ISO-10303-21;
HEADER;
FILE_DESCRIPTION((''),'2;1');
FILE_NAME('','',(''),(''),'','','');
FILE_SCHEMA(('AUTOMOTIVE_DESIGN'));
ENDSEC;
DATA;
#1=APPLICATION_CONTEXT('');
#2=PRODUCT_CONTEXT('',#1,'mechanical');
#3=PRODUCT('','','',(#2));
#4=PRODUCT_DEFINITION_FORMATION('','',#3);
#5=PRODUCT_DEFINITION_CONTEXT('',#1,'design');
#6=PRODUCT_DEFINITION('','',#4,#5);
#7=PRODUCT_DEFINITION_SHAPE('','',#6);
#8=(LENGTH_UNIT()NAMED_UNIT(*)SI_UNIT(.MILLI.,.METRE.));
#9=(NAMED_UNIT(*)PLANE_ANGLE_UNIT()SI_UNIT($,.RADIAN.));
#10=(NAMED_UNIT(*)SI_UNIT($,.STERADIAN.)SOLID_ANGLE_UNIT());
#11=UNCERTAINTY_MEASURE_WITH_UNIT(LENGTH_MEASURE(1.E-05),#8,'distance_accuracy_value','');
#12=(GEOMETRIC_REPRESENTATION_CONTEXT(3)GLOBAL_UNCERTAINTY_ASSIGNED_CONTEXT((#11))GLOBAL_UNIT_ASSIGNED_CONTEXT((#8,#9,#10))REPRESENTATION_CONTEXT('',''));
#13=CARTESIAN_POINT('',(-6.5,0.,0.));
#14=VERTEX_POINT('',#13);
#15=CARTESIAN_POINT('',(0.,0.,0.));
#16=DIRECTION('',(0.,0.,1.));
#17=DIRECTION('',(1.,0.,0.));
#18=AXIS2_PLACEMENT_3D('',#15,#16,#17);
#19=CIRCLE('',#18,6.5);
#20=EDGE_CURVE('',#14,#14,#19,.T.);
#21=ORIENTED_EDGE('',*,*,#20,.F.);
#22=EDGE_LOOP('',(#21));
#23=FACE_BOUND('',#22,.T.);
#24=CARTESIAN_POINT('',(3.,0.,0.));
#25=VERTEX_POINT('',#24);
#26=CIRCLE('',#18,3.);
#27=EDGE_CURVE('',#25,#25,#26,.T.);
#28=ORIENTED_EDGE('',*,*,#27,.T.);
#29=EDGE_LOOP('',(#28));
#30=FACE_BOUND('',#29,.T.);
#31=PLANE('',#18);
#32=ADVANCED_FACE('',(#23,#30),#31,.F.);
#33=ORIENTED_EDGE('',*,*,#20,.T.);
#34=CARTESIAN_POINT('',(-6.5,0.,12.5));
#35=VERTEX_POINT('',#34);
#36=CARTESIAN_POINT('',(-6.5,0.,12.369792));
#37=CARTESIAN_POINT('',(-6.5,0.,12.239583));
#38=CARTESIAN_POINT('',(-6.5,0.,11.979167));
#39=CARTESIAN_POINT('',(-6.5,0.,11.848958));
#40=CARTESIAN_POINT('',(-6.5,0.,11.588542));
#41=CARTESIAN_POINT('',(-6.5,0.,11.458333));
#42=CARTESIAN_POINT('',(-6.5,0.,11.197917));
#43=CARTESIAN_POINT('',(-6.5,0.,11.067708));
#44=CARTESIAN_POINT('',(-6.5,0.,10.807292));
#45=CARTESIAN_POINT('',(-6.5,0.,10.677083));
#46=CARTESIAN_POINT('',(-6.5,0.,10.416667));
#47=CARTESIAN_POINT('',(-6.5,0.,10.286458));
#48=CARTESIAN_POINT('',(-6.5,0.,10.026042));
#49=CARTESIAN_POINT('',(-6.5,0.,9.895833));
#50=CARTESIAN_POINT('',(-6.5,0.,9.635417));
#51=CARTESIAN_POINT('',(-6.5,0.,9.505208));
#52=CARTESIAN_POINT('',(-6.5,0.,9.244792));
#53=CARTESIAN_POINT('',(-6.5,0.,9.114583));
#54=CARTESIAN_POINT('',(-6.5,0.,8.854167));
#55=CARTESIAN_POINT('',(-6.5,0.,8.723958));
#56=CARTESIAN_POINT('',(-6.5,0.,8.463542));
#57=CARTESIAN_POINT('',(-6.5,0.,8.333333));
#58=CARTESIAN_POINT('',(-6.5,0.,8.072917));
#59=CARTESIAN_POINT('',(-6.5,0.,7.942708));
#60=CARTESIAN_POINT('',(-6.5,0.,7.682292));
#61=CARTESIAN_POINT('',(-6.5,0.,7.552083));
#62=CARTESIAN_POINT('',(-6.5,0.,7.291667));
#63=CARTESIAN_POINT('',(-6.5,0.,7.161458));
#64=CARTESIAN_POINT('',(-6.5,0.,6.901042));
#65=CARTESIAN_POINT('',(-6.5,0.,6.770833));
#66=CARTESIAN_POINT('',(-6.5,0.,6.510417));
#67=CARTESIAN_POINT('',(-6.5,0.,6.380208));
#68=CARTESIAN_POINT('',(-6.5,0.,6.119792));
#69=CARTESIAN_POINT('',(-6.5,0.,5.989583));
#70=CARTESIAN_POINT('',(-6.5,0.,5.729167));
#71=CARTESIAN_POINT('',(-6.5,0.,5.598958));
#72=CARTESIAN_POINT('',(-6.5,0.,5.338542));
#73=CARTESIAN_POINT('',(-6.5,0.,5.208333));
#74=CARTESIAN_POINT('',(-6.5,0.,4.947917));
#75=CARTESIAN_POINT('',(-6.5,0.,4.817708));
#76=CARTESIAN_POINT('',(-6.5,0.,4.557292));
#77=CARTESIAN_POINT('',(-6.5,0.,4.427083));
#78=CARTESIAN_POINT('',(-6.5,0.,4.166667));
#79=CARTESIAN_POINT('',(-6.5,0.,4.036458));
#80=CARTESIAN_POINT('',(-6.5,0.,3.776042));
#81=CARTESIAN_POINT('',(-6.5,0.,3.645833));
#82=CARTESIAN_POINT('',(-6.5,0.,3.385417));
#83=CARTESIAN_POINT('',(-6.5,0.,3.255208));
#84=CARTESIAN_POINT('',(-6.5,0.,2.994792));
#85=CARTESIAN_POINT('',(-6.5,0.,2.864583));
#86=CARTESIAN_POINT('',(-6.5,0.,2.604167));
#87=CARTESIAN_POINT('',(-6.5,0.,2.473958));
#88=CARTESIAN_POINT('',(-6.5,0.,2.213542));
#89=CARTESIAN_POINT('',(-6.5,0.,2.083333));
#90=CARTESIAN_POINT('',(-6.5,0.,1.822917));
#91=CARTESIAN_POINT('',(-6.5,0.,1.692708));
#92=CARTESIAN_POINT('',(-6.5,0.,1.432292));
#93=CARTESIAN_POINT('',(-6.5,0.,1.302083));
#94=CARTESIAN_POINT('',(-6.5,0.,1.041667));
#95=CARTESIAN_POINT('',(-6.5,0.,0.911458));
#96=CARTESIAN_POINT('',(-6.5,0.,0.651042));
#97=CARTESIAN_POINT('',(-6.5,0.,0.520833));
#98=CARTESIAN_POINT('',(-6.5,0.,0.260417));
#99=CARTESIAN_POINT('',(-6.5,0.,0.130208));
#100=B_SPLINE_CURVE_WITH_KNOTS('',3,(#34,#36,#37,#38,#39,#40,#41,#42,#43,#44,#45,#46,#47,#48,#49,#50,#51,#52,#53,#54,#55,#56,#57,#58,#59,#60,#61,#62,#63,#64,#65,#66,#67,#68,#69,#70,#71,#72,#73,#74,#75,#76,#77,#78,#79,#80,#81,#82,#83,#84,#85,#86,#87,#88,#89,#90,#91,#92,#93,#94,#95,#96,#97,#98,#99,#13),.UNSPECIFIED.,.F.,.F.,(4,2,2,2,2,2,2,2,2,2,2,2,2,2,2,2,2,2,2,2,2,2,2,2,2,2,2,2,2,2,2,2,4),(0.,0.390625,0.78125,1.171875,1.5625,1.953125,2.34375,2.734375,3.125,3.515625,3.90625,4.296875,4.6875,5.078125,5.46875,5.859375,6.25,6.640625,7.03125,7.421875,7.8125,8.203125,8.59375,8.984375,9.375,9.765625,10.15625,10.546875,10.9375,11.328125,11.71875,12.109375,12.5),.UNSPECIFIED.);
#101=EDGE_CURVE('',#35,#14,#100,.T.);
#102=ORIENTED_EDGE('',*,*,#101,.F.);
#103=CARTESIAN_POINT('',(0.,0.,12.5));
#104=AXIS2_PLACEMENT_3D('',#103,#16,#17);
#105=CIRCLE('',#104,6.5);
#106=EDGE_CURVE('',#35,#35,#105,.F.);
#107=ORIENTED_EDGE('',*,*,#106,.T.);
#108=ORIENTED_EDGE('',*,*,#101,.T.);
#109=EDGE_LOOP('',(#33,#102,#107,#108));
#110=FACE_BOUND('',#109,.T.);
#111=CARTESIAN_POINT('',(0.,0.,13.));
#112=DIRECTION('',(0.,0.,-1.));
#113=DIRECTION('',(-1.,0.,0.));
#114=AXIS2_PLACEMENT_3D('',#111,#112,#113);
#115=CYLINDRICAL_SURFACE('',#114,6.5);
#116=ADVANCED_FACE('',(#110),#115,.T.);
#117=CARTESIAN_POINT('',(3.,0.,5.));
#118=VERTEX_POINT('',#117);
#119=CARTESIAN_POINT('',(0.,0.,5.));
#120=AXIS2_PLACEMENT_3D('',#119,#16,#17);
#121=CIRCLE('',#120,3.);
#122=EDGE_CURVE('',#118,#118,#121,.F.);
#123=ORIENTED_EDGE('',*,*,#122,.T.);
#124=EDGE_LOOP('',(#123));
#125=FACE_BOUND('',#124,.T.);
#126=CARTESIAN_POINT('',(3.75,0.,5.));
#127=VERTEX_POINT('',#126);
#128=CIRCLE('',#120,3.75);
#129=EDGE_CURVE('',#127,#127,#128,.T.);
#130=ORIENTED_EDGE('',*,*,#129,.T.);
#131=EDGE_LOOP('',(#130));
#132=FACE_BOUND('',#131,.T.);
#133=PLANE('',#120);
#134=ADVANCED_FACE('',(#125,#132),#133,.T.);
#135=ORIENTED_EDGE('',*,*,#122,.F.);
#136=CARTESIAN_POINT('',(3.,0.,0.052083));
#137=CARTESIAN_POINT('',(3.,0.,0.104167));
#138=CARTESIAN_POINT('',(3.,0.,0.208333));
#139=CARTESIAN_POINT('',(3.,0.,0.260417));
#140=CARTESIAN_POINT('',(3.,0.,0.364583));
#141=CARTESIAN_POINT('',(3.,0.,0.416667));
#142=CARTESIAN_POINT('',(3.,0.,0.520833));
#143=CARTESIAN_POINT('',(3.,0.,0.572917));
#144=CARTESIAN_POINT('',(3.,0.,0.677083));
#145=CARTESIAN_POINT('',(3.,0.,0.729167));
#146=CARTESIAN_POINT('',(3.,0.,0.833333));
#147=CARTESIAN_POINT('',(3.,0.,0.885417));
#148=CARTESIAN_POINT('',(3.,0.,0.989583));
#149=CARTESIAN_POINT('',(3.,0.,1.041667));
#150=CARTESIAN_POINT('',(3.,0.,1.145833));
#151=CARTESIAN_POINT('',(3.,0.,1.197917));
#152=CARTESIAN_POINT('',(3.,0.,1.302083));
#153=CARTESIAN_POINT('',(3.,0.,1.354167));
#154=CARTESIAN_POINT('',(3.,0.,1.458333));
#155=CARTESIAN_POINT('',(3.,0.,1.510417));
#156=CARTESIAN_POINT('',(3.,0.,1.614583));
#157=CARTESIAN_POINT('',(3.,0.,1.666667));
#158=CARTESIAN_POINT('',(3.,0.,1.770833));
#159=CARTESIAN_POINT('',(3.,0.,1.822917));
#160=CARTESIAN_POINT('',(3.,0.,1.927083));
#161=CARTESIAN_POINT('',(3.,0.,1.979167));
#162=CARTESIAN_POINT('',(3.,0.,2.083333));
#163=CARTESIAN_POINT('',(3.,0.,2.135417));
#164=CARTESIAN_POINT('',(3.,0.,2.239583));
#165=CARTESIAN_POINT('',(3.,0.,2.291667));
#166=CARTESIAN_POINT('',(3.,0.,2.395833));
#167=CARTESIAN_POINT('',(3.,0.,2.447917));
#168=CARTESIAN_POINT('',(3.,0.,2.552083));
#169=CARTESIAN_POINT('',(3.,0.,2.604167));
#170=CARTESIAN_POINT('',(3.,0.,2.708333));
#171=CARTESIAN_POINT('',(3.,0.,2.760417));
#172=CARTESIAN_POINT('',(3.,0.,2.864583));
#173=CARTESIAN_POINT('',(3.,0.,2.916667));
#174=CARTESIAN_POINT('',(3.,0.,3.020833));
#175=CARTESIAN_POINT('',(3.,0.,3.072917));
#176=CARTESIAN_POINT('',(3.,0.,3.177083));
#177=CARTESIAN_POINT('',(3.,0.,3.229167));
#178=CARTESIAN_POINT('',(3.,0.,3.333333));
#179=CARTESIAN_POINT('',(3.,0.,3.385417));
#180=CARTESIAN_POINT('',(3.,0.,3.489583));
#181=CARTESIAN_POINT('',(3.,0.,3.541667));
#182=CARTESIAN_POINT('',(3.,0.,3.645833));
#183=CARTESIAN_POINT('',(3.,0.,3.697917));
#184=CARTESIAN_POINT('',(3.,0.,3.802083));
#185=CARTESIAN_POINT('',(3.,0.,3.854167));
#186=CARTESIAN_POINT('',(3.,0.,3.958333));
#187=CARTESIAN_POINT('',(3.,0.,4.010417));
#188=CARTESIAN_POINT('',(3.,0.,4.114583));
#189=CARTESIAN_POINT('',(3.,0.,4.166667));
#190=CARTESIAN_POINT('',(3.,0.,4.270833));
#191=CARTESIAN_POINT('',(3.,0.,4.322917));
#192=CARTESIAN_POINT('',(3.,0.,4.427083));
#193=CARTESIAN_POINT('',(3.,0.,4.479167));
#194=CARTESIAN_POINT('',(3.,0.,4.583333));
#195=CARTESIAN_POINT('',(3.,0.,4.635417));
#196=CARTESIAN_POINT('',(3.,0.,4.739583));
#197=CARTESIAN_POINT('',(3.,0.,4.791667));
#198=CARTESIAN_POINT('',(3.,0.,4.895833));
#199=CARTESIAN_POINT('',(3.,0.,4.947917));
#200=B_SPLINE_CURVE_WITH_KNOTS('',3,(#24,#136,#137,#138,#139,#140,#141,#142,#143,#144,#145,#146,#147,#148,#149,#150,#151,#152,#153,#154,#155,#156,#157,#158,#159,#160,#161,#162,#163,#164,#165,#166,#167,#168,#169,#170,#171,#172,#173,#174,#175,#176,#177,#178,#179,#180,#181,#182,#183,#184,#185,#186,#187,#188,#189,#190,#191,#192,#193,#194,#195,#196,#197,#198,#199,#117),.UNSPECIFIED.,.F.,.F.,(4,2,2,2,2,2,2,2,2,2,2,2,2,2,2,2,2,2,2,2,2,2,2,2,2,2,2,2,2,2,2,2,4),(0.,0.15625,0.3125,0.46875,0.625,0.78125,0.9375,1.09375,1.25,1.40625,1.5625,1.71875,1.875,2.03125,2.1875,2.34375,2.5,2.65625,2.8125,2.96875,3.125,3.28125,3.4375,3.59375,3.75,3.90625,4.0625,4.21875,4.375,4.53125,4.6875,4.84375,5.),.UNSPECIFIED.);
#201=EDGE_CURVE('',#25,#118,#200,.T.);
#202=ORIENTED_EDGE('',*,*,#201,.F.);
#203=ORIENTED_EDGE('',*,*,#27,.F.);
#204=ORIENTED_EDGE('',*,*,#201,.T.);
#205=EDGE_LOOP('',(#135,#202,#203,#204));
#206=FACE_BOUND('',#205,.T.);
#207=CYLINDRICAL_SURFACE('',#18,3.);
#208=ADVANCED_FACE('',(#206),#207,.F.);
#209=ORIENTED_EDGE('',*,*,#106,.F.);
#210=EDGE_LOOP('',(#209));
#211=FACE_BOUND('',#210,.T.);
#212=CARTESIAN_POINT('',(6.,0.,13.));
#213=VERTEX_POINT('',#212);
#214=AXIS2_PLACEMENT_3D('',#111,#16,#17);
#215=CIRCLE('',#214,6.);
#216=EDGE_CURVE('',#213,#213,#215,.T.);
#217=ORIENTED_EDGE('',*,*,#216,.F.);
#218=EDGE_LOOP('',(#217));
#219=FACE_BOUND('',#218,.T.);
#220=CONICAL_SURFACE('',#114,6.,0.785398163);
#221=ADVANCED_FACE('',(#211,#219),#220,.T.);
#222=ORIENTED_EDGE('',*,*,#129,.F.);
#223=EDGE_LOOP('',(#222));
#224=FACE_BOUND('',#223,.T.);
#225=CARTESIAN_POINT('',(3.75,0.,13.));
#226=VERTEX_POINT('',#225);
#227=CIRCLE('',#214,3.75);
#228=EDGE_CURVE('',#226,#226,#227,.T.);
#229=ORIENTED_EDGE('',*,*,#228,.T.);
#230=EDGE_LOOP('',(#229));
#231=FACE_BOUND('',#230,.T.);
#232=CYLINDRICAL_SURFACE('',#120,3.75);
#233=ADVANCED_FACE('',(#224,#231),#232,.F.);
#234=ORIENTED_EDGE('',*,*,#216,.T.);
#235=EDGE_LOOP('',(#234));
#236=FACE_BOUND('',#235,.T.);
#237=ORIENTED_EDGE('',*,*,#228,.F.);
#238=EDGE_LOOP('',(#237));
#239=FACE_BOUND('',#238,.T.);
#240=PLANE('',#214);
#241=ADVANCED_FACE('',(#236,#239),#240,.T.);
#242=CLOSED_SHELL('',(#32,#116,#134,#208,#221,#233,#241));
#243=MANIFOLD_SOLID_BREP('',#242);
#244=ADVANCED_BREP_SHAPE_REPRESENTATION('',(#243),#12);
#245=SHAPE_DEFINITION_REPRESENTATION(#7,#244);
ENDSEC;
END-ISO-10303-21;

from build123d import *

# Parameters (mm, degrees)
SKETCH_1_R          = 6.5
EXTRUDE_192_DEPTH   = 13
SKETCH_2_R          = 3
CUT_EXTRUDE_1_DEPTH = 16.921683328
SKETCH_3_R          = 3.75
CUT_EXTRUDE_2_DEPTH = 8
CHAMFER_1_SIZE      = 0.5


with BuildPart() as part:
    # Эскиз1 → Extrude 192 (new body)
    with BuildSketch(Plane.XY):
        with Locations(Location((0, 0, 0), (0, 0, 180))):
            Circle(SKETCH_1_R)
    extrude(amount=EXTRUDE_192_DEPTH)

    # Эскиз2 → Вырез-Вытянуть1 (cut, through all)
    with BuildSketch(Plane.XY.offset(13)):
        Circle(SKETCH_2_R)
    extrude(amount=-CUT_EXTRUDE_1_DEPTH, mode=Mode.SUBTRACT)

    # Эскиз3 → Вырез-Вытянуть2 (cut)
    with BuildSketch(Plane.XY.offset(13)):
        Circle(SKETCH_3_R)
    extrude(amount=-CUT_EXTRUDE_2_DEPTH, mode=Mode.SUBTRACT)

    # Фаска1
    chamfer_1_edges = [part.edges().sort_by_distance(p)[0] for p in [
        (6.5, 0, 13),
    ]]
    chamfer(chamfer_1_edges, length=CHAMFER_1_SIZE)


solid = part.part
